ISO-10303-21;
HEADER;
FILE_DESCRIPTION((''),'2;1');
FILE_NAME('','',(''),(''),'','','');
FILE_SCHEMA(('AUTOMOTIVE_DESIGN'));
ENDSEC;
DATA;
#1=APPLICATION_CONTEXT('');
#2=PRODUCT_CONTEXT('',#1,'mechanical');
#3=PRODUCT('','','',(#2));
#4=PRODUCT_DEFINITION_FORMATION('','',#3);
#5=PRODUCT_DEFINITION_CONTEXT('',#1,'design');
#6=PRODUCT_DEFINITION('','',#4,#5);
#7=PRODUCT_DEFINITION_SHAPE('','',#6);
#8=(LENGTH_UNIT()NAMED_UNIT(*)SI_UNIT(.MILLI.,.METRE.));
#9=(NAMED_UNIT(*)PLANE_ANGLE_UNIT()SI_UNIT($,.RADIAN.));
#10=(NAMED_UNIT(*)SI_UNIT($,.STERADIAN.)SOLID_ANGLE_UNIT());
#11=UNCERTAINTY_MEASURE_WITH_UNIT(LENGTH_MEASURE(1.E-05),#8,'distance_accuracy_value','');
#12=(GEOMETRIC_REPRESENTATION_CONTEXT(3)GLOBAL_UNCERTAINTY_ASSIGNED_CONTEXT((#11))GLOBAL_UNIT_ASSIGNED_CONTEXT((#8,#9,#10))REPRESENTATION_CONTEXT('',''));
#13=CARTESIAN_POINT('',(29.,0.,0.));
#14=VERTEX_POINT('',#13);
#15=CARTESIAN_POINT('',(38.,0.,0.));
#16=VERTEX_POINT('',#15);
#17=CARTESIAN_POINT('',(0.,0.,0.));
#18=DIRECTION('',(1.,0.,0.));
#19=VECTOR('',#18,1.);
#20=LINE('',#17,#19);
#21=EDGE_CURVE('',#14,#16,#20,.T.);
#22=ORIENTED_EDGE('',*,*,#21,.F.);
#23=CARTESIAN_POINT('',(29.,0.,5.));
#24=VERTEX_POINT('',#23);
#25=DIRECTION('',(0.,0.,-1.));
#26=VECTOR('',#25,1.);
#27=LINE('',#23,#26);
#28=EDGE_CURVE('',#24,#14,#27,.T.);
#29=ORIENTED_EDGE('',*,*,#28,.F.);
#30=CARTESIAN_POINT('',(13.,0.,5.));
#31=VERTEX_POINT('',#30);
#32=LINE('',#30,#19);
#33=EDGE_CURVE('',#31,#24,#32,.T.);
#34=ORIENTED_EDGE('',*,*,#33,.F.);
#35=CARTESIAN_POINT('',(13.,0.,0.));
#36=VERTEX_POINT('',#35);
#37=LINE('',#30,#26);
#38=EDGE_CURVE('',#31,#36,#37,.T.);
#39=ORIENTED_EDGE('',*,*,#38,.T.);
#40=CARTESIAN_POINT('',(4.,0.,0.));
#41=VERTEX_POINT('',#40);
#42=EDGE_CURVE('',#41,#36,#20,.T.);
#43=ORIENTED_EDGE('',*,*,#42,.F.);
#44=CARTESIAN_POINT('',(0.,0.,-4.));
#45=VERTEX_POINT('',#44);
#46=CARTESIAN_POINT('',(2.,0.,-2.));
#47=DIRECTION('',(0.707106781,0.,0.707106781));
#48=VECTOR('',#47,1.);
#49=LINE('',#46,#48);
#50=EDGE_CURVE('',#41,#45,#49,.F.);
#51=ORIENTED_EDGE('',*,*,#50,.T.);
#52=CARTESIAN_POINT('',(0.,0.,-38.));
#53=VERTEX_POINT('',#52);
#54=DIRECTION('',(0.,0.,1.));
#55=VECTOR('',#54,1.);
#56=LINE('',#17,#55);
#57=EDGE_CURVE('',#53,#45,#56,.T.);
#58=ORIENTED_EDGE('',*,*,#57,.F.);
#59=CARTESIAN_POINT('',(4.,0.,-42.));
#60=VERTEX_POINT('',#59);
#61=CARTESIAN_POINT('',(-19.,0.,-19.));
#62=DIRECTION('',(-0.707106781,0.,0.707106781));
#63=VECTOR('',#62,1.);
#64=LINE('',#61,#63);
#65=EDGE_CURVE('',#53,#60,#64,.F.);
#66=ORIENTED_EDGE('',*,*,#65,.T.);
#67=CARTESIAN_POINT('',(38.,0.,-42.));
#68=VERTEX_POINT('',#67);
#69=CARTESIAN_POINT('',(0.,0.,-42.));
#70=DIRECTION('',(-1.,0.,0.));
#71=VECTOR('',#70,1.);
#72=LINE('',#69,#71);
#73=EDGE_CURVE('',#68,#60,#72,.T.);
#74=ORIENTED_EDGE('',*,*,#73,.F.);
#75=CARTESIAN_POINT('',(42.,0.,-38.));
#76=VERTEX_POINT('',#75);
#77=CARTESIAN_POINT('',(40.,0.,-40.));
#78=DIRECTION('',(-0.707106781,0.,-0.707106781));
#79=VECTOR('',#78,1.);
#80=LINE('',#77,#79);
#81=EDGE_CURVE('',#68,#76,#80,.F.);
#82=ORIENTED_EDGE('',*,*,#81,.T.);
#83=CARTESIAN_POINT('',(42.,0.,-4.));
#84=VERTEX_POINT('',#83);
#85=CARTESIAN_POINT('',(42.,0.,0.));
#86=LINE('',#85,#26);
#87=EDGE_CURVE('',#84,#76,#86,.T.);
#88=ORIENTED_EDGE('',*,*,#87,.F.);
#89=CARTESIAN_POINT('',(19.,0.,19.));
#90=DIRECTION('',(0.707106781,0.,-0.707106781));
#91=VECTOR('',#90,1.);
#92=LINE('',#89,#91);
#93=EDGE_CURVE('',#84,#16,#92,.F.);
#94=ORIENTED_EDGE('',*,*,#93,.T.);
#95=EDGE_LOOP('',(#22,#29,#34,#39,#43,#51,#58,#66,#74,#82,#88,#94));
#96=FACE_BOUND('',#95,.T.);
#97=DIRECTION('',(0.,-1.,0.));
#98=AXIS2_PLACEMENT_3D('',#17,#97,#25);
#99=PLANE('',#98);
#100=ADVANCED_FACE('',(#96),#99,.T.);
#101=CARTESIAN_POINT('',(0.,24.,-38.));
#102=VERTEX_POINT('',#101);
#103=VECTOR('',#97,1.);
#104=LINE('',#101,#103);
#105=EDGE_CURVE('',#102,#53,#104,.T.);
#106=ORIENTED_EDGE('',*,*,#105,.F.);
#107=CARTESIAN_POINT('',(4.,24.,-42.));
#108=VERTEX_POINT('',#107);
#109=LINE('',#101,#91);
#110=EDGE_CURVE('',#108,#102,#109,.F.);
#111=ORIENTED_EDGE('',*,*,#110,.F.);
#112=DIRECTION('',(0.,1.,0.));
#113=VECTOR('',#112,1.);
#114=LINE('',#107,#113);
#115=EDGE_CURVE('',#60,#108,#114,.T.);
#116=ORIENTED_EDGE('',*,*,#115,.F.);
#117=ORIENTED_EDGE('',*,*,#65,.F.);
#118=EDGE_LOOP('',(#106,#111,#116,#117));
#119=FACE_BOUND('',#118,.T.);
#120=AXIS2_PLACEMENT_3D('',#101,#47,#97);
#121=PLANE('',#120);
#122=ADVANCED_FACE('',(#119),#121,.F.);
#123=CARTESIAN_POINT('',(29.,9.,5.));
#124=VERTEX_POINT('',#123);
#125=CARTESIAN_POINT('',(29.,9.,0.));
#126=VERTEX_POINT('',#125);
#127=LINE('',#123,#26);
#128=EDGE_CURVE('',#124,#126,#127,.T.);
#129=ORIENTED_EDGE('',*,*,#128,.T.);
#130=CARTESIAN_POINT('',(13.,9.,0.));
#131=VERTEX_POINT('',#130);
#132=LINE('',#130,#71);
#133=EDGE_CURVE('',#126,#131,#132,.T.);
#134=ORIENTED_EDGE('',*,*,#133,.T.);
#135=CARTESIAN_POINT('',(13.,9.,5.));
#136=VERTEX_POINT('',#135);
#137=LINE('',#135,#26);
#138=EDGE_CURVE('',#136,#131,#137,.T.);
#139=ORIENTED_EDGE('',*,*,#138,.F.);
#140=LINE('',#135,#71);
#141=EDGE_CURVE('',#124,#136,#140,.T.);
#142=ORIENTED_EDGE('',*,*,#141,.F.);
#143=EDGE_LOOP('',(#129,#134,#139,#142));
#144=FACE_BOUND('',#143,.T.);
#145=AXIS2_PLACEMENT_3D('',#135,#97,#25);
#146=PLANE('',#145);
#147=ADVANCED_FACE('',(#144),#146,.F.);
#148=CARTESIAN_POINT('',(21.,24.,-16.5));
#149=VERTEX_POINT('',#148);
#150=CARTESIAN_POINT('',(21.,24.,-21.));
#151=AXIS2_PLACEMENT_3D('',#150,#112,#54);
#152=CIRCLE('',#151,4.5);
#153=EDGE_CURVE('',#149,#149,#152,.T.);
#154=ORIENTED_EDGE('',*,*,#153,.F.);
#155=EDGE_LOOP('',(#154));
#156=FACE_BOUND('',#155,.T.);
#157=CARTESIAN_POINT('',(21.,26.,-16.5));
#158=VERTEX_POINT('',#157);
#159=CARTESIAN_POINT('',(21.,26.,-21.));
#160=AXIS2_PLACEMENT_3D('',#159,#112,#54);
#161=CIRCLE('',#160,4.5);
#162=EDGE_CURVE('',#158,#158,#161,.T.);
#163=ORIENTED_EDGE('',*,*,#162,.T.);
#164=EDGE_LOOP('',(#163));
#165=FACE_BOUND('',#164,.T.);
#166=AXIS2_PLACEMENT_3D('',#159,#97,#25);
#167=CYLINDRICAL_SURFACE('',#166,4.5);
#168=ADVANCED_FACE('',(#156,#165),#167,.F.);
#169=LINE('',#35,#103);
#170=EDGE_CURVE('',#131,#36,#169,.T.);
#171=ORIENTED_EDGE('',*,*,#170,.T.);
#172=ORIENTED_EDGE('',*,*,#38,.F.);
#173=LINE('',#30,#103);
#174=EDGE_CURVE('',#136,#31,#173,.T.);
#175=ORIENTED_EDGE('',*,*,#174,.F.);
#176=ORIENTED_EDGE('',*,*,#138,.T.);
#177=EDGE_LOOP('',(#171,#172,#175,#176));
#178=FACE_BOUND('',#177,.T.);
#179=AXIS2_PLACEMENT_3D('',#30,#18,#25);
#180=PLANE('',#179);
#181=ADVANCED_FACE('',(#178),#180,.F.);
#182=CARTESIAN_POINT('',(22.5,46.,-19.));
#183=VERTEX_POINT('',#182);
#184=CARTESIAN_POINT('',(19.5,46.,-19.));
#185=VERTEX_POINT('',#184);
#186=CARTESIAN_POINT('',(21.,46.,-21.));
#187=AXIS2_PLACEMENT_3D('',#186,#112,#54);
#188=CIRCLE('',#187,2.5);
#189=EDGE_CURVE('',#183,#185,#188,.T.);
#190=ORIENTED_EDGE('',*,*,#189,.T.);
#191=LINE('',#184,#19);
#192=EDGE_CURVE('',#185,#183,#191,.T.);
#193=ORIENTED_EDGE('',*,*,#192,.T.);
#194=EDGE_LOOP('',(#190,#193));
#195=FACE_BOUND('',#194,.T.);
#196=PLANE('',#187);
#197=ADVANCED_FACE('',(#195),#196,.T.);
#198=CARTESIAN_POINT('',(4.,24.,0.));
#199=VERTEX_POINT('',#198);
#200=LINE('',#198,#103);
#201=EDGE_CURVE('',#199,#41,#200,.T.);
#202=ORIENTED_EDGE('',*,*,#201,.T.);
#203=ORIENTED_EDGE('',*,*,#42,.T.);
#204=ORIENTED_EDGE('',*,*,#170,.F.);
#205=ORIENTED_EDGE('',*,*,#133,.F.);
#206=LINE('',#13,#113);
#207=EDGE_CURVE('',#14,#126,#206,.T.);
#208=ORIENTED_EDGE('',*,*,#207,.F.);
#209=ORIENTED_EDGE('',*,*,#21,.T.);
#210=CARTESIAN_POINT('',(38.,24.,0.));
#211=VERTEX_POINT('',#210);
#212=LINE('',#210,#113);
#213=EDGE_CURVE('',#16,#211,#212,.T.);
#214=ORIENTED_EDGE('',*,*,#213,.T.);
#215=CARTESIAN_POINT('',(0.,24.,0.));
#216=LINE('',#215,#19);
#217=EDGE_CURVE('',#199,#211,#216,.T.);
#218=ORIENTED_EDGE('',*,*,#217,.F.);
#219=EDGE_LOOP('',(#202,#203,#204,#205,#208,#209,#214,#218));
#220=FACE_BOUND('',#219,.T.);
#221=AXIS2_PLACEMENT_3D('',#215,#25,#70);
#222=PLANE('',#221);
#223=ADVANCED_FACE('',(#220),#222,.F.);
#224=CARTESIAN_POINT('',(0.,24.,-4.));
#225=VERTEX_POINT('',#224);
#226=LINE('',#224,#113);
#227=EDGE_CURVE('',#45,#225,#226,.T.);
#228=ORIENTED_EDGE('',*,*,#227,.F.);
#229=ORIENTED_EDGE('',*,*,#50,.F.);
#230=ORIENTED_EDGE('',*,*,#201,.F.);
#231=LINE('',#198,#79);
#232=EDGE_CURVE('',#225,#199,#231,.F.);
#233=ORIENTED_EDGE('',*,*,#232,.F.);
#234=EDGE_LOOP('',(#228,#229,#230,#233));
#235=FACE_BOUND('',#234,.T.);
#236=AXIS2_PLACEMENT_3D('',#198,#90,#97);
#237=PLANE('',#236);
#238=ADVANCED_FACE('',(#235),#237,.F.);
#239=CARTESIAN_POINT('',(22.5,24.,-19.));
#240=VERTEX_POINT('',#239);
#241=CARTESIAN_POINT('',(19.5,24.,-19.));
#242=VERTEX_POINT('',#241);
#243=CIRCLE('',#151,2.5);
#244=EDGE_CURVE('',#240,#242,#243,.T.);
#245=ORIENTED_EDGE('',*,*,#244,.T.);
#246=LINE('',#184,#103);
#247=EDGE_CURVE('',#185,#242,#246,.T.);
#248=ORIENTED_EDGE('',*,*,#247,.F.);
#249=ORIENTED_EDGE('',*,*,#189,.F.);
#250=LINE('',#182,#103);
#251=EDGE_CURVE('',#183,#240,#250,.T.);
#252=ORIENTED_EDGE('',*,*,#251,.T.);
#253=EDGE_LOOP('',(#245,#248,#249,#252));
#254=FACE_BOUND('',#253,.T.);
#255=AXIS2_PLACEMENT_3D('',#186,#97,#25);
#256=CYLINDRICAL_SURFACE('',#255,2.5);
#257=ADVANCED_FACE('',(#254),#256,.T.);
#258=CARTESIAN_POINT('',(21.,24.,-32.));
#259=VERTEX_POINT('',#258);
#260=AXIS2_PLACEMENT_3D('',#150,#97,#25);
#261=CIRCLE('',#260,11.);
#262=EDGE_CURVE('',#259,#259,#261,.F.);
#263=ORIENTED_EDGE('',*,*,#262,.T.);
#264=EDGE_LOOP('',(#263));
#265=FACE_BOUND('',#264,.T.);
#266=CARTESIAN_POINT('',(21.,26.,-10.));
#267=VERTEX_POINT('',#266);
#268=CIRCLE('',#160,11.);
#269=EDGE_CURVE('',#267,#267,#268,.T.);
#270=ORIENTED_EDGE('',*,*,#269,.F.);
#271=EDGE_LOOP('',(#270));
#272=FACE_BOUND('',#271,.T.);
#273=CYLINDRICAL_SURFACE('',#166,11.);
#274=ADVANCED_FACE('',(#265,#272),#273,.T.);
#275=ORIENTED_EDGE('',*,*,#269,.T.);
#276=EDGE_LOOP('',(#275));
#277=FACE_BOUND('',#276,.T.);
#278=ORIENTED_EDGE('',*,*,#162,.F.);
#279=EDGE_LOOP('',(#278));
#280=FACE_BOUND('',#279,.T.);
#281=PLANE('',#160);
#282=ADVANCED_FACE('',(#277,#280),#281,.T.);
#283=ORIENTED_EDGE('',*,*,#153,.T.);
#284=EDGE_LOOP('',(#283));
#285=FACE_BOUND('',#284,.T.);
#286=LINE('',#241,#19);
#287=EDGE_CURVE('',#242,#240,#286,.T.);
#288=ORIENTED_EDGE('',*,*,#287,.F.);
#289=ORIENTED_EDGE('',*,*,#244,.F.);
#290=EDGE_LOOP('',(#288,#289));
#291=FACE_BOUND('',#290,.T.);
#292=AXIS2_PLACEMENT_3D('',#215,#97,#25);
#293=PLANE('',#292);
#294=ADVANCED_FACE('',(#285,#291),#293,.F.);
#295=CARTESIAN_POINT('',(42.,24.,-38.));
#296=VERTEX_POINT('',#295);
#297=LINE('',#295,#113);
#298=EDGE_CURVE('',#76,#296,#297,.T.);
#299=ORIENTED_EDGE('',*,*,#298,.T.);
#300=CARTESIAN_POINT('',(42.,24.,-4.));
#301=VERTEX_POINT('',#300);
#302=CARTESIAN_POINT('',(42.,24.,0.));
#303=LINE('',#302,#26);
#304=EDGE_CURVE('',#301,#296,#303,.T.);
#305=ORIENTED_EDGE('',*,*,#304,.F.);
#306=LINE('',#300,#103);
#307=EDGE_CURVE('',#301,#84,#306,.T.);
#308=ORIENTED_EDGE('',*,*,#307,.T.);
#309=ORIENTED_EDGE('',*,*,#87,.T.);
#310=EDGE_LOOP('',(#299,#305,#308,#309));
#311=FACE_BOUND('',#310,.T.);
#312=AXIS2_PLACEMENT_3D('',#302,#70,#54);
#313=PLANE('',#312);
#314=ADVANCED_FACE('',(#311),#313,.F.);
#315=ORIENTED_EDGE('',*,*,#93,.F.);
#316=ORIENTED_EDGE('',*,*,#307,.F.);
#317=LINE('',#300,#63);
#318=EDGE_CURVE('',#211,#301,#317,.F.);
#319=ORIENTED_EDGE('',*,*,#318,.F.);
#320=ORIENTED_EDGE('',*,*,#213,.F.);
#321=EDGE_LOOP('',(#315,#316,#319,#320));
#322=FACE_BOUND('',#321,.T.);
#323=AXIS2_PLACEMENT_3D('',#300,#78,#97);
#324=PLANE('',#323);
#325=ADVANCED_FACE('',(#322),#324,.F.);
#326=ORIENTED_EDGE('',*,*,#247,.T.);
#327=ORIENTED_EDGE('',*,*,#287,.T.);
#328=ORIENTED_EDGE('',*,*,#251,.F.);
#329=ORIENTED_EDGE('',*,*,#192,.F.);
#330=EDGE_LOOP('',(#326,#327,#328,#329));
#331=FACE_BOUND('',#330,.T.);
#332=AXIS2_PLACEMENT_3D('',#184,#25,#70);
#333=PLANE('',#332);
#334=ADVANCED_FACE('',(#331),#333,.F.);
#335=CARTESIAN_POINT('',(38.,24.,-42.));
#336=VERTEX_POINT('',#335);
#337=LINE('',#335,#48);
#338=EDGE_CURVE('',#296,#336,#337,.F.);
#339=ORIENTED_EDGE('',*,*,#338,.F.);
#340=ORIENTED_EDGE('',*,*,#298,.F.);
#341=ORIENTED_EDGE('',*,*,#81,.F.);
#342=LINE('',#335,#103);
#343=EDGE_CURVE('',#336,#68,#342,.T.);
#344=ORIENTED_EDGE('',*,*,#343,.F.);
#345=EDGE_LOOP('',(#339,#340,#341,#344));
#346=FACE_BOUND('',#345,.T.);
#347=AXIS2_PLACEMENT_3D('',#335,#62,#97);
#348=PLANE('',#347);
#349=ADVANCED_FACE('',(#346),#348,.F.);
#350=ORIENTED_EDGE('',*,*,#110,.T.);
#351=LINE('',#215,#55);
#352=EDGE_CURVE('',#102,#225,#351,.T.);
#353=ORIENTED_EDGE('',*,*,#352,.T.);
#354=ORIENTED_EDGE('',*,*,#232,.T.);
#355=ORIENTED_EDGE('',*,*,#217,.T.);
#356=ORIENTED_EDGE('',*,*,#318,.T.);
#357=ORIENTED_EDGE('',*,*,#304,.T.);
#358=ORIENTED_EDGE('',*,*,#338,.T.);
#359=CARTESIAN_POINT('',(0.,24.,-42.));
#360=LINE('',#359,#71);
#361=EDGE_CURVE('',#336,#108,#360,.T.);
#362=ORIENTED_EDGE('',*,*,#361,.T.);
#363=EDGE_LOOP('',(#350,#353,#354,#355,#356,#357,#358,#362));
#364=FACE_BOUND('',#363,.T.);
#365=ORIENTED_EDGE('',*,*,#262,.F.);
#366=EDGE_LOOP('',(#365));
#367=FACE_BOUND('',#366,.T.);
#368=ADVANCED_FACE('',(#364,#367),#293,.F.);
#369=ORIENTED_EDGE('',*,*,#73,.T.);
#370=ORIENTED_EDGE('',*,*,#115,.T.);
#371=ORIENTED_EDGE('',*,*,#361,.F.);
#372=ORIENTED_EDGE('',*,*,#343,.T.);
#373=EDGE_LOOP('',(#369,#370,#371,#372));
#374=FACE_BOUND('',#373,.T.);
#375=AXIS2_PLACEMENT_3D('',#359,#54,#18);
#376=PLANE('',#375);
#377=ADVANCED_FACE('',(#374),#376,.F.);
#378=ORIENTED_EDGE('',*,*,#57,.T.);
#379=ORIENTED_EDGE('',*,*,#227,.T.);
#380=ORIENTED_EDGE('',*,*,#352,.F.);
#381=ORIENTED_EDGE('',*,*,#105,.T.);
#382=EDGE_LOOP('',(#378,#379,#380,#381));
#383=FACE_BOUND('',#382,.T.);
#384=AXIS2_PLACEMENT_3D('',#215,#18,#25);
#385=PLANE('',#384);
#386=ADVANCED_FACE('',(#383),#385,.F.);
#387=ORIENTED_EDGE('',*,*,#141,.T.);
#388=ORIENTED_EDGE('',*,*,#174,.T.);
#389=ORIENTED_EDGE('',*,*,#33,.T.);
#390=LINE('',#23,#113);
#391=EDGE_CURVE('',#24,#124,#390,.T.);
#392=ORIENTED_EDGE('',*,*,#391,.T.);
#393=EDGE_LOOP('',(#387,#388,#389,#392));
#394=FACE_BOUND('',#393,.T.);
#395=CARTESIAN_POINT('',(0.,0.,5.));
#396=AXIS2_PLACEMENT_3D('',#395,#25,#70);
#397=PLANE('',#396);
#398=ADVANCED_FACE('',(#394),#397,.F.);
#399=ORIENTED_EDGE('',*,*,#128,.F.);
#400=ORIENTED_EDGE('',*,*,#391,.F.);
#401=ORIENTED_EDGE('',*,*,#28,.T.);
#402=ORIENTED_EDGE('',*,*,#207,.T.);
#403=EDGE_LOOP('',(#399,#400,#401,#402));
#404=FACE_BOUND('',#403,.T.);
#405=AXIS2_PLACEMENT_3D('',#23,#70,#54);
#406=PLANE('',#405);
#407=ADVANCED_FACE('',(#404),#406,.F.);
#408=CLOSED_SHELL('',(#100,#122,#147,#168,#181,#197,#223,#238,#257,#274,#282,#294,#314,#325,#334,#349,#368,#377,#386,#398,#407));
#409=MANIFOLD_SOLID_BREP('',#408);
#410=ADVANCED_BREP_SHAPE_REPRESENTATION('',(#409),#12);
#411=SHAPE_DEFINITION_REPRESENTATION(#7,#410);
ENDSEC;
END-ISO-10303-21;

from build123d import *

# Parameters (mm, degrees)
SKETCH1_W           = 42
SKETCH1_H           = 42
BOSS_EXTRUDE1_DEPTH = 24
SKETCH2_W           = 16
SKETCH2_H           = 9
BOSS_EXTRUDE2_DEPTH = 5
SKETCH3_R           = 11
SKETCH3_R_2         = 4.5
BOSS_EXTRUDE4_DEPTH = 2
BOSS_EXTRUDE5_DEPTH = 22
CHAMFER1_SIZE       = 4
CHAMFER2_SIZE       = 4
CHAMFER3_SIZE       = 4
CHAMFER4_SIZE       = 4


with BuildPart() as part:
    # Sketch1 → Boss-Extrude1 (new body)
    with BuildSketch(Plane(origin=(0, 0, 0), x_dir=(1, 0, 0), z_dir=(0, 1, 0))):
        with Locations((21, 21)):
            Rectangle(SKETCH1_W, SKETCH1_H)
    extrude(amount=BOSS_EXTRUDE1_DEPTH)

    # Sketch2 → Boss-Extrude2 (add)
    with BuildSketch(Plane.XY):
        with Locations((21, 4.5)):
            Rectangle(SKETCH2_W, SKETCH2_H)
    extrude(amount=BOSS_EXTRUDE2_DEPTH)

    # Sketch3 → Boss-Extrude4 (add)
    with BuildSketch(Plane(origin=(0, 24, 0), x_dir=(1, 0, 0), z_dir=(0, 1, 0))):
        with Locations((21, 21)):
            Circle(SKETCH3_R)
        with Locations((21, 21)):
            Circle(SKETCH3_R_2, mode=Mode.SUBTRACT)
    extrude(amount=BOSS_EXTRUDE4_DEPTH)

    # Sketch4 → Boss-Extrude5 (add)
    with BuildSketch(Plane(origin=(0, 24, 0), x_dir=(1, 0, 0), z_dir=(0, 1, 0))):
        with BuildLine():
            Line((19.5, 19), (22.5, 19))
            ThreePointArc((22.5, 19), (21, 23.5), (19.5, 19))
        make_face()
    extrude(amount=BOSS_EXTRUDE5_DEPTH)

    # Chamfer1
    chamfer1_edges = [part.edges().sort_by_distance(p)[0] for p in [
        (0, 12, 0),
    ]]
    chamfer(chamfer1_edges, length=CHAMFER1_SIZE)

    # Chamfer2
    chamfer2_edges = [part.edges().sort_by_distance(p)[0] for p in [
        (42, 12, 0),
    ]]
    chamfer(chamfer2_edges, length=CHAMFER2_SIZE)

    # Chamfer3
    chamfer3_edges = [part.edges().sort_by_distance(p)[0] for p in [
        (42, 12, -42),
    ]]
    chamfer(chamfer3_edges, length=CHAMFER3_SIZE)

    # Chamfer4
    chamfer4_edges = [part.edges().sort_by_distance(p)[0] for p in [
        (0, 12, -42),
    ]]
    chamfer(chamfer4_edges, length=CHAMFER4_SIZE)


solid = part.part
